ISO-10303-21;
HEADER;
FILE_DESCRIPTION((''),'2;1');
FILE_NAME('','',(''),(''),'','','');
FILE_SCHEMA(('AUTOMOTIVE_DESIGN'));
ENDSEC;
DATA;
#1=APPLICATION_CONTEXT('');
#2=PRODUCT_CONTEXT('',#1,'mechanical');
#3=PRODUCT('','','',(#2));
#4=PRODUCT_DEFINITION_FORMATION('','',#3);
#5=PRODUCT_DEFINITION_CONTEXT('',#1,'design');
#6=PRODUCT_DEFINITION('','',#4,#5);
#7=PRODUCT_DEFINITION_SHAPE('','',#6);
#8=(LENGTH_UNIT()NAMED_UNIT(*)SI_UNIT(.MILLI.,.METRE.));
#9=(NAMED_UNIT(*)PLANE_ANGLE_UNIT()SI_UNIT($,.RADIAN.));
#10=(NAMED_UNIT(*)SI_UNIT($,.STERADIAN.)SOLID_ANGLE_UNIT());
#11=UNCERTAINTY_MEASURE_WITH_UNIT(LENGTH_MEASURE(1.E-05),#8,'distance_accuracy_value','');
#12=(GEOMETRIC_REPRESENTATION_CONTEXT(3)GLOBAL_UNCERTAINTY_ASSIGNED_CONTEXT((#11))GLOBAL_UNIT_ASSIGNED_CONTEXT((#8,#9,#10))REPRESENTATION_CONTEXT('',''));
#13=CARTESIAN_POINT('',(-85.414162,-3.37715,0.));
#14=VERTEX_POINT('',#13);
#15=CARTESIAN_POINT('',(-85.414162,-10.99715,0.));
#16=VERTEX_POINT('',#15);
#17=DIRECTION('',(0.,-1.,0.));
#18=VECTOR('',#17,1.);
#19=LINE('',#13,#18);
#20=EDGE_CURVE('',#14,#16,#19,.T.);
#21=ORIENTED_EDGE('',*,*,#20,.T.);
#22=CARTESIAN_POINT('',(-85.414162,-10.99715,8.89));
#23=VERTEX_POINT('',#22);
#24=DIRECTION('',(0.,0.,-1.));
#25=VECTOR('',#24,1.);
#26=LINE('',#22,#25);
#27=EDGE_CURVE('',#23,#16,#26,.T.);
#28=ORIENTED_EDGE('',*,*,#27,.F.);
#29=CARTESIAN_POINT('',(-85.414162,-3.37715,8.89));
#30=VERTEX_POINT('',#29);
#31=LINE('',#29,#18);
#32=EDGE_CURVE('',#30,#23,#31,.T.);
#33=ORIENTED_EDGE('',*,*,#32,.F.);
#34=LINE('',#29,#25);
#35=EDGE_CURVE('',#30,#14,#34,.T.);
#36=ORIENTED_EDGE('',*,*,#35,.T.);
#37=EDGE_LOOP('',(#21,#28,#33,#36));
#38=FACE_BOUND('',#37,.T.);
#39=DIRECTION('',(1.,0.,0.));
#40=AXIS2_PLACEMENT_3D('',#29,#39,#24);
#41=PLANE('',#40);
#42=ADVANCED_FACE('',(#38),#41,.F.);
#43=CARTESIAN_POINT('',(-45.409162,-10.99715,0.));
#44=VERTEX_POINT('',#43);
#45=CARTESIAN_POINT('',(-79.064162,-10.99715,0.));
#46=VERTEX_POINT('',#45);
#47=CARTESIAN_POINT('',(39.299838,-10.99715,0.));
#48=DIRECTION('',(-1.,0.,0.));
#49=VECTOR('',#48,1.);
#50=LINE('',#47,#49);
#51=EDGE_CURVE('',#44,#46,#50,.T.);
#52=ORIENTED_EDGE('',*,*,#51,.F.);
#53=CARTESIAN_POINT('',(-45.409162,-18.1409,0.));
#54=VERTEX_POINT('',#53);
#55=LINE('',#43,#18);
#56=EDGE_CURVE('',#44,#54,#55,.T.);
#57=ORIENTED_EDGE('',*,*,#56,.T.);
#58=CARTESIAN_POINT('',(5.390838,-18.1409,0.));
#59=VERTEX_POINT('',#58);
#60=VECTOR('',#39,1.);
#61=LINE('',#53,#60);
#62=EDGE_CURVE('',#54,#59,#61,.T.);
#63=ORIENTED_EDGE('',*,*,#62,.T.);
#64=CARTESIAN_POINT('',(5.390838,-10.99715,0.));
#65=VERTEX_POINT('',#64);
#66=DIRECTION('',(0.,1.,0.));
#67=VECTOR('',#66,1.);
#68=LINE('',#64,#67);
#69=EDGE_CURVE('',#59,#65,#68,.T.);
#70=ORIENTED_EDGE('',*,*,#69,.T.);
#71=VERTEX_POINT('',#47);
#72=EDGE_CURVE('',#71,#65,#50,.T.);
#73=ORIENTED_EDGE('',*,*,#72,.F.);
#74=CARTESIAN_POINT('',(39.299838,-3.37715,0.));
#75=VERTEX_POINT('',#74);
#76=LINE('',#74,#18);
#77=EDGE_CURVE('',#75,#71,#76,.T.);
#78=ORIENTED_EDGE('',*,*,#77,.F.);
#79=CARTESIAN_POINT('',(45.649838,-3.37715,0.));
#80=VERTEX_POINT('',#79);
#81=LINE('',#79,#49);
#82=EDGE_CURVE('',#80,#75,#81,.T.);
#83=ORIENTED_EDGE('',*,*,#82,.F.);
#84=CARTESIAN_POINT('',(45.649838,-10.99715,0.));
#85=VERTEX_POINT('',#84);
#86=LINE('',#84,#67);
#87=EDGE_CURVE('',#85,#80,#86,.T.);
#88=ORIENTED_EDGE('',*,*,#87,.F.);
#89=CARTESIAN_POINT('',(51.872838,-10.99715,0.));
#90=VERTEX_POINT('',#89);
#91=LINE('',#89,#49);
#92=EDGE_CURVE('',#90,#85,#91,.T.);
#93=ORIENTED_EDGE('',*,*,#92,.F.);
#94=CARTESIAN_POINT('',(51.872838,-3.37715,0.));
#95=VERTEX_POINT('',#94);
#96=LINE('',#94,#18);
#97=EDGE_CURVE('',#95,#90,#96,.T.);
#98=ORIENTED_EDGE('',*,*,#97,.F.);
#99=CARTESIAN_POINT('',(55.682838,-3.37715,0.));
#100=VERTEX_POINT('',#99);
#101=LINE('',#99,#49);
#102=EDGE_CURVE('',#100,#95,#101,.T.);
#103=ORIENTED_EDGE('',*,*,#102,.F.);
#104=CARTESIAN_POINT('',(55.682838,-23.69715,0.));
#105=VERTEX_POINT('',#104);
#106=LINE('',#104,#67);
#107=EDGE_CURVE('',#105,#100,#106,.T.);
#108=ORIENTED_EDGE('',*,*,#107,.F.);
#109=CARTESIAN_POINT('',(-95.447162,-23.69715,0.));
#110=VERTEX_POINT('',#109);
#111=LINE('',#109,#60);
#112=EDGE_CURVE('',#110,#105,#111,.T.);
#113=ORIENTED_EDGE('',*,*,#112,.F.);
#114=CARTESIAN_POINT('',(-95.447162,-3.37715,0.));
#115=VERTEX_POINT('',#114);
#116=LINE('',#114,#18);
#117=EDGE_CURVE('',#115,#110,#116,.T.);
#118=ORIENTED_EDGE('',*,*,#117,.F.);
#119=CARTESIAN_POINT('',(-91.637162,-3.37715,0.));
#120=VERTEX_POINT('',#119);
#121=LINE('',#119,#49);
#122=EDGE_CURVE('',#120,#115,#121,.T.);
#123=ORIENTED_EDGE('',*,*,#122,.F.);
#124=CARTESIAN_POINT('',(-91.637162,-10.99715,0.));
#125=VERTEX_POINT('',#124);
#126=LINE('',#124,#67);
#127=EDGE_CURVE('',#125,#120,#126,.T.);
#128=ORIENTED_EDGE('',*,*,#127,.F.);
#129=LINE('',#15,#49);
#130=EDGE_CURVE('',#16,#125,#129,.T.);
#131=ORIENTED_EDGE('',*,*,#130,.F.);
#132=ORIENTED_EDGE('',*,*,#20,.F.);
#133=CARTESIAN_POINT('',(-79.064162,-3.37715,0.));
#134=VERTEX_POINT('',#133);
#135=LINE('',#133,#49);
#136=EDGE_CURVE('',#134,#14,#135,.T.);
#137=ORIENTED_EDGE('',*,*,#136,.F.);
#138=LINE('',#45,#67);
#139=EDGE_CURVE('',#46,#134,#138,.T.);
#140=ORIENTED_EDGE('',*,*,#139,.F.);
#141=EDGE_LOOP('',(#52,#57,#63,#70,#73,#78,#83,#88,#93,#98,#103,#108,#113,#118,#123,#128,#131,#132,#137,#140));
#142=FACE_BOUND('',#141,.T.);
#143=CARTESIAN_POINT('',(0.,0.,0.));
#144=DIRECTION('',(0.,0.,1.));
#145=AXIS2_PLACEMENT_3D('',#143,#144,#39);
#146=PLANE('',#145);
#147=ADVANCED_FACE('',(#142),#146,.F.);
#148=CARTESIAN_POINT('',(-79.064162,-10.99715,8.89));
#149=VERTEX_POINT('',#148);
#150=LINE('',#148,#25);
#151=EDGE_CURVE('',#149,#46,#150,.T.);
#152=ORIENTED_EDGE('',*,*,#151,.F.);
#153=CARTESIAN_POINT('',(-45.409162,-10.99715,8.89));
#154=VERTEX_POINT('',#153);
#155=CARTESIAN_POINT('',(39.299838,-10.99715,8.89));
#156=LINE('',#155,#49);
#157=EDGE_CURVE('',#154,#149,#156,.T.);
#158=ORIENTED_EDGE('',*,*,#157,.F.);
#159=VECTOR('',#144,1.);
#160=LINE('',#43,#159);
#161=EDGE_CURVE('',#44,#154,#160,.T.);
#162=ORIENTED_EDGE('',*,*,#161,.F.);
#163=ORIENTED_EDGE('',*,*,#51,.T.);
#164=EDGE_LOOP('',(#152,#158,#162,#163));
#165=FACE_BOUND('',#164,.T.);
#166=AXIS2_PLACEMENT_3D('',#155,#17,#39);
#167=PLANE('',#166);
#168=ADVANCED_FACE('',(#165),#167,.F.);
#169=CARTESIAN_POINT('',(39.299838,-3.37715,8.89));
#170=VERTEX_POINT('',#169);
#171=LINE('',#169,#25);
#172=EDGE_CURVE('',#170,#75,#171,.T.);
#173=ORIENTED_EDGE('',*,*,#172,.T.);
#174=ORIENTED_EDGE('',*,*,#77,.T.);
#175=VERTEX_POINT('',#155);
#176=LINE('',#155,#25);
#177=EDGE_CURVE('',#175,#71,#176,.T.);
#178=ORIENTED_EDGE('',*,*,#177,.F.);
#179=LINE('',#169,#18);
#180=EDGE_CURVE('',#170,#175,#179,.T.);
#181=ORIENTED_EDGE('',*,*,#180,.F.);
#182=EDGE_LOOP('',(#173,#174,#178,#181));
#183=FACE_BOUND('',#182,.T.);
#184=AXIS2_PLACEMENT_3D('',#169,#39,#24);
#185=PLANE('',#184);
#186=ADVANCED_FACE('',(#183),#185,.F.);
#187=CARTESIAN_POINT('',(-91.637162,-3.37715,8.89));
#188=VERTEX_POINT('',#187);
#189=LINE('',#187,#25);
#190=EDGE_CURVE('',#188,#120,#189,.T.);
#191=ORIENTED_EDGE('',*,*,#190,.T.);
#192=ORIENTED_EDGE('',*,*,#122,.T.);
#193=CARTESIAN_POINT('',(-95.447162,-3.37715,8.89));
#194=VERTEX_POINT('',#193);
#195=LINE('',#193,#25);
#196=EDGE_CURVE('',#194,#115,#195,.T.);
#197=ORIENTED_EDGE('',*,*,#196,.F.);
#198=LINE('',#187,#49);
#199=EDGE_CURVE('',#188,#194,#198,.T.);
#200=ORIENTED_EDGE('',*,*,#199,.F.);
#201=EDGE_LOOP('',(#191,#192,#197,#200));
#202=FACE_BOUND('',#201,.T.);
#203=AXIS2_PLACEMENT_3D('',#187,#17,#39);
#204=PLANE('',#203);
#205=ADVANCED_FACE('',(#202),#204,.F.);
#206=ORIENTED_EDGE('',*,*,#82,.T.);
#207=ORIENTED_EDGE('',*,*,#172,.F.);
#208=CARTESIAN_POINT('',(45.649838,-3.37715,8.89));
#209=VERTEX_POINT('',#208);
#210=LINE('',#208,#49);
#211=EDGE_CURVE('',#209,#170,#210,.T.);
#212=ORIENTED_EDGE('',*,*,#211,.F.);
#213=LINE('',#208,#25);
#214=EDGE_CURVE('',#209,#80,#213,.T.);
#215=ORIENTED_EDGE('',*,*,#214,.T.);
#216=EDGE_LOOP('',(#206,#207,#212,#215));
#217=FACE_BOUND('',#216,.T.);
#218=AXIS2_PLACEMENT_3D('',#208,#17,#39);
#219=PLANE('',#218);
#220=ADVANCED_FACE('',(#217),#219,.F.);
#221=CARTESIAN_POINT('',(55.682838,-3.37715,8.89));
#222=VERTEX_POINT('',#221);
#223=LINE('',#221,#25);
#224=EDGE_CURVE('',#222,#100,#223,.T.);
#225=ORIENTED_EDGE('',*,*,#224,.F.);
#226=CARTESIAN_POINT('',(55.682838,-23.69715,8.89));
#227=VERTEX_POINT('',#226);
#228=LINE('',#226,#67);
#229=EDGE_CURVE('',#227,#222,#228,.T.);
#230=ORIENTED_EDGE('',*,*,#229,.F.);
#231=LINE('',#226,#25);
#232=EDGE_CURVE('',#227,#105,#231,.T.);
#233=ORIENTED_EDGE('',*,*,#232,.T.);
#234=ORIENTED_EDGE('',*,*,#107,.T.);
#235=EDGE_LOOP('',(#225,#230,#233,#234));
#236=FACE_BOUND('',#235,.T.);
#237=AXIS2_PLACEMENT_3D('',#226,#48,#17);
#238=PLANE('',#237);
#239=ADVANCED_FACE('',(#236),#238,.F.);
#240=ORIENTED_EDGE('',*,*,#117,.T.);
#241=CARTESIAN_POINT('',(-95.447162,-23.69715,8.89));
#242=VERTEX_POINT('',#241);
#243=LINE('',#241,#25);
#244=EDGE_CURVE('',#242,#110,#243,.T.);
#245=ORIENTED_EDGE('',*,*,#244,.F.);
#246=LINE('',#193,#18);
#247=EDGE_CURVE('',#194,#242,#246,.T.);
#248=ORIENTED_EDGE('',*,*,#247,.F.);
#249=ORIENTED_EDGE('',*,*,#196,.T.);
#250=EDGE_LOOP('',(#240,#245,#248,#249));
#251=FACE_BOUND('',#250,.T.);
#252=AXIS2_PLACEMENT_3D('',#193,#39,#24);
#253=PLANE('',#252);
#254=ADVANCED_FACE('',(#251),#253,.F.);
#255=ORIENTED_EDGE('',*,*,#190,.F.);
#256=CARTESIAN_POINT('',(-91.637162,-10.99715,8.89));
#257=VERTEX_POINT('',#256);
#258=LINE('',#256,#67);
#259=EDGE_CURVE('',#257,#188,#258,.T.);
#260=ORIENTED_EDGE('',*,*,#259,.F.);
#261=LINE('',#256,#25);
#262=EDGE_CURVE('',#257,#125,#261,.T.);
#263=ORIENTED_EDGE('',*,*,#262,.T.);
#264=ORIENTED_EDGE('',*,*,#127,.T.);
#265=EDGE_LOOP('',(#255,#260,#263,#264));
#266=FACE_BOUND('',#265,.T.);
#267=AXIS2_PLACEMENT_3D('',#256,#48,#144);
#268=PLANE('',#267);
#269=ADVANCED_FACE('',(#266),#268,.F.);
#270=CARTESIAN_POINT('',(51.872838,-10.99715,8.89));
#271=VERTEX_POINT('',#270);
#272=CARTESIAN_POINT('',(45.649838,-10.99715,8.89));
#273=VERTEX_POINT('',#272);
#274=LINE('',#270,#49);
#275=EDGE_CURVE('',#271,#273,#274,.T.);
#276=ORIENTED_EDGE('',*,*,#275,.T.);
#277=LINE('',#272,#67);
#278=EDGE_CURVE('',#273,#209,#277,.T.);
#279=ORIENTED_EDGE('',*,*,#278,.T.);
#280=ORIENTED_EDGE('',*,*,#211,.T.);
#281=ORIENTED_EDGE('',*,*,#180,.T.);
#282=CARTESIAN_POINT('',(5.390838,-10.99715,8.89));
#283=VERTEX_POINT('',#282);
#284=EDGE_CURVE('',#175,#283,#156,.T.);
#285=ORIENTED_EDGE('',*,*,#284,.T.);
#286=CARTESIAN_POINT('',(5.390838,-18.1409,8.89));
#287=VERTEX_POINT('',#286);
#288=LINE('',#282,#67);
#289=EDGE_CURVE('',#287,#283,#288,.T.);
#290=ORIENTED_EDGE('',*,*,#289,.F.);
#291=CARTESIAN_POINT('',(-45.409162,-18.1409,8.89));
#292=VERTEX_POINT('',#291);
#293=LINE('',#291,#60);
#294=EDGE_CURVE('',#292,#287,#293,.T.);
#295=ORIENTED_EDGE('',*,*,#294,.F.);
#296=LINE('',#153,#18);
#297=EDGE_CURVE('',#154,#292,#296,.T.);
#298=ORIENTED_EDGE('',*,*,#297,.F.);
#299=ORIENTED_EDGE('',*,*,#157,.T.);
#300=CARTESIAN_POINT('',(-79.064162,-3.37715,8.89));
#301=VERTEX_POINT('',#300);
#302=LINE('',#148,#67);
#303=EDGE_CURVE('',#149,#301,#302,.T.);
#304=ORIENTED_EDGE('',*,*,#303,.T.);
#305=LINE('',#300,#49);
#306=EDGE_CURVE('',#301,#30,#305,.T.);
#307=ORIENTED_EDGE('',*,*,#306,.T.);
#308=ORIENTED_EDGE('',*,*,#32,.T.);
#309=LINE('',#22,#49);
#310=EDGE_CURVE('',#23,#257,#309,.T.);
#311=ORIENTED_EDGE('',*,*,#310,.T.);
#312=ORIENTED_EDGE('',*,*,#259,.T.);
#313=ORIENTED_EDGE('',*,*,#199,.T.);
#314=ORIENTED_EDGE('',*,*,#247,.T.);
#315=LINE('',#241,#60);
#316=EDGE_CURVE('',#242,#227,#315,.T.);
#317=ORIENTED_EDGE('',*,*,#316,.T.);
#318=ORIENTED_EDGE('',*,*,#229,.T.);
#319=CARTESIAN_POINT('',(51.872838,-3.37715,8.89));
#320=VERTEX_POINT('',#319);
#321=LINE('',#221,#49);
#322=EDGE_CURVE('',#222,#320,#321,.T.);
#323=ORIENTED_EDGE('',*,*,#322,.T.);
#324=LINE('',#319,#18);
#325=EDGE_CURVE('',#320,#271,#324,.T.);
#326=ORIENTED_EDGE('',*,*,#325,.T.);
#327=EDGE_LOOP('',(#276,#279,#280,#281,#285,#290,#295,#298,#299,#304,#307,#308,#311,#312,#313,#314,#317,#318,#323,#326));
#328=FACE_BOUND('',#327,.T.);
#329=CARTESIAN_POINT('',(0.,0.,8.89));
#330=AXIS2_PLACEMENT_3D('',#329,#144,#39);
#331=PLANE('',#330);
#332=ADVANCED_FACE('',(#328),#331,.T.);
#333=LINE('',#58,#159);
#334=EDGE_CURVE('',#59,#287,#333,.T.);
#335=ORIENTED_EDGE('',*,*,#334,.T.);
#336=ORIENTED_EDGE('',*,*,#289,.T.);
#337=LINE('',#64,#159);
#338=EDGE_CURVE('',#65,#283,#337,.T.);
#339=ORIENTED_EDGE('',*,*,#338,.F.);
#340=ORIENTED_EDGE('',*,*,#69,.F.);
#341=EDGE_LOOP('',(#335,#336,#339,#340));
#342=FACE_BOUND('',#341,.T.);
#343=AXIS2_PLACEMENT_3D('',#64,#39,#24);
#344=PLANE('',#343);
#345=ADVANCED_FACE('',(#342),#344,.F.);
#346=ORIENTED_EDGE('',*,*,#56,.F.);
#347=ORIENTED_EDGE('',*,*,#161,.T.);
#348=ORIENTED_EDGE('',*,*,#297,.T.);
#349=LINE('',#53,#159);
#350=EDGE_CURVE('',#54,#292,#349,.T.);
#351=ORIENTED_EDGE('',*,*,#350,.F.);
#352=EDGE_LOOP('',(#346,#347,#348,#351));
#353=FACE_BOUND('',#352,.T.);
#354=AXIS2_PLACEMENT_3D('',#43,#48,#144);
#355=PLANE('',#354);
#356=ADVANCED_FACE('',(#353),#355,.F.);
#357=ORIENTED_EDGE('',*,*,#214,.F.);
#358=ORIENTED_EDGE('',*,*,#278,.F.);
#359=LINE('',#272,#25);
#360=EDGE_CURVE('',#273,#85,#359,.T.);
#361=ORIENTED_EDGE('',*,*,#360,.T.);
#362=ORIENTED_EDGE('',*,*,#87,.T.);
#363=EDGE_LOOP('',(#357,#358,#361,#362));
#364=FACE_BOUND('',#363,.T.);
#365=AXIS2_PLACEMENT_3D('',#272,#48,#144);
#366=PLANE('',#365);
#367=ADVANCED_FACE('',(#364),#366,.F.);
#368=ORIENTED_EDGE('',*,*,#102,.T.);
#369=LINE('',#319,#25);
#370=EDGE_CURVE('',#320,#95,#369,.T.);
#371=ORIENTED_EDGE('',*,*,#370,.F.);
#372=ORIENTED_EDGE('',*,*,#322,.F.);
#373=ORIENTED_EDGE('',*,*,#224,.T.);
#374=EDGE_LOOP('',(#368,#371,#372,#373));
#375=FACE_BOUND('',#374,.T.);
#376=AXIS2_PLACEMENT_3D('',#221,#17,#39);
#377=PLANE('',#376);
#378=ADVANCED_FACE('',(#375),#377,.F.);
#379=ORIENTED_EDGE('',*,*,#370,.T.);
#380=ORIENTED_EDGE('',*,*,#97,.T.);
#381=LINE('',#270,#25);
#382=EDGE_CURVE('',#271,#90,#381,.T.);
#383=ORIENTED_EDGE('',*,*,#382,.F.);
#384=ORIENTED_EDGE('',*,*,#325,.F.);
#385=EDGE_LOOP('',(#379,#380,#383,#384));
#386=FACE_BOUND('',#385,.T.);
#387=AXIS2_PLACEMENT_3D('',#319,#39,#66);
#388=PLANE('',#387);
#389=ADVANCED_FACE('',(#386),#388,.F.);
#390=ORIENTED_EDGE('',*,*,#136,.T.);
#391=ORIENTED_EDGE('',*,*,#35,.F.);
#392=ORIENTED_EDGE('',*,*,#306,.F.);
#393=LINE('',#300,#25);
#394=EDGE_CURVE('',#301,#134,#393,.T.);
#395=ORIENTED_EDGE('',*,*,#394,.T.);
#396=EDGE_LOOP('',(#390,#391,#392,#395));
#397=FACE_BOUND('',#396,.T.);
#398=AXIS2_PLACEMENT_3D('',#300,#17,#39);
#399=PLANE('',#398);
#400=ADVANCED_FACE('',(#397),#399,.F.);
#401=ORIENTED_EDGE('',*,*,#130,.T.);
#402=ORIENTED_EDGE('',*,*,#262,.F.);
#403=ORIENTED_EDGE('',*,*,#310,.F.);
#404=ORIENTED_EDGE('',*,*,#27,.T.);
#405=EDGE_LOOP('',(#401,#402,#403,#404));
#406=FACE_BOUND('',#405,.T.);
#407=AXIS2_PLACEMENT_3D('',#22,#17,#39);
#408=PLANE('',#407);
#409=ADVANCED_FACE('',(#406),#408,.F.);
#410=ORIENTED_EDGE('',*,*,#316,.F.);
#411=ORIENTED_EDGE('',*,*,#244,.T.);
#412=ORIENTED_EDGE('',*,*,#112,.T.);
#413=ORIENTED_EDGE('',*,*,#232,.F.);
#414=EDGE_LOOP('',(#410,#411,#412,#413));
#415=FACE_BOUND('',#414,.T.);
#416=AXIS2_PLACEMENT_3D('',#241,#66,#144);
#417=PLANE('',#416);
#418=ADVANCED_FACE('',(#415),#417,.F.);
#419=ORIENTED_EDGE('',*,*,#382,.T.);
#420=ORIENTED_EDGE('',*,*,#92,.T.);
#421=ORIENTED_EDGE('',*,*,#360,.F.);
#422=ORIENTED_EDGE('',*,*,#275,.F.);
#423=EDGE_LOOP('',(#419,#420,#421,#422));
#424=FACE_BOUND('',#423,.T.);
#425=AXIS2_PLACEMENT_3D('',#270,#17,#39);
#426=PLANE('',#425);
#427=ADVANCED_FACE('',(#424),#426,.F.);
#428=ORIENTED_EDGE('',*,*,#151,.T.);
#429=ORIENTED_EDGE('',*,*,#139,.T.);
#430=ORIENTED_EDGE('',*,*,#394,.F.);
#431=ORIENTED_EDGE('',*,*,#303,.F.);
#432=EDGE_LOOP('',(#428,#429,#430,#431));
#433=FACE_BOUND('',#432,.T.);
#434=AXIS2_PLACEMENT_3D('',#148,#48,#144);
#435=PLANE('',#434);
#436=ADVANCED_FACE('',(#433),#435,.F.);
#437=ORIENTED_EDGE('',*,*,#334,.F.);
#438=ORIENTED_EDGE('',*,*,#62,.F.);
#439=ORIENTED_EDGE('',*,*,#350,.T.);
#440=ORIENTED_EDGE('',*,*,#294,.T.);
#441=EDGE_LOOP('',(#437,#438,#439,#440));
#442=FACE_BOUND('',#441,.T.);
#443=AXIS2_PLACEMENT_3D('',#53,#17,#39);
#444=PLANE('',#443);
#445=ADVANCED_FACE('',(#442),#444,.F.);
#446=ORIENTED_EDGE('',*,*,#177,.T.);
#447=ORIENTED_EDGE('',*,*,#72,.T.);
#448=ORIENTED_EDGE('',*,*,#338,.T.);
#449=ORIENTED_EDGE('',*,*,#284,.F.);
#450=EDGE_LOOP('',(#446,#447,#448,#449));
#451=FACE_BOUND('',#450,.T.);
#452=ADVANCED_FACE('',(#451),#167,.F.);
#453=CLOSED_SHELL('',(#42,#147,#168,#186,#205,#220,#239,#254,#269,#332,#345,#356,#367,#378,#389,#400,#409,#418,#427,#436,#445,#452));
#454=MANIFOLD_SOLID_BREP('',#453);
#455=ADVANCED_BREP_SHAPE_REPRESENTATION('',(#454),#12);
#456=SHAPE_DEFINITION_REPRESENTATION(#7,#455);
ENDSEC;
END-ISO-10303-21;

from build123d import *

# Parameters (mm, degrees)
BOSS_EXTRUDE1_DEPTH = 8.89
SKETCH2_W           = 50.8
SKETCH2_H           = 7.14375
CUT_EXTRUDE1_DEPTH  = 8.89


with BuildPart() as part:
    # Sketch1 → Boss-Extrude1 (new body)
    with BuildSketch(Plane.XY):
        Polygon((-95.447161757, -23.697149871), (55.682838243, -23.697149871), (55.682838243, -3.377149871), (51.872838243, -3.377149871), (51.872838243, -10.997149871), (45.649838243, -10.997149871), (45.649838243, -3.377149871), (39.299838243, -3.377149871), (39.299838243, -10.997149871), (-79.064161757, -10.997149871), (-79.064161757, -3.377149871), (-85.414161757, -3.377149871), (-85.414161757, -10.997149871), (-91.637161757, -10.997149871), (-91.637161757, -3.377149871), (-95.447161757, -3.377149871), align=None)
    extrude(amount=BOSS_EXTRUDE1_DEPTH)

    # Sketch2 → Cut-Extrude1 (cut)
    with BuildSketch(Plane.XY.offset(8.89)):
        with Locations((-20.009161757, -14.569024871)):
            Rectangle(SKETCH2_W, SKETCH2_H)
    extrude(amount=-CUT_EXTRUDE1_DEPTH, mode=Mode.SUBTRACT)


solid = part.part
